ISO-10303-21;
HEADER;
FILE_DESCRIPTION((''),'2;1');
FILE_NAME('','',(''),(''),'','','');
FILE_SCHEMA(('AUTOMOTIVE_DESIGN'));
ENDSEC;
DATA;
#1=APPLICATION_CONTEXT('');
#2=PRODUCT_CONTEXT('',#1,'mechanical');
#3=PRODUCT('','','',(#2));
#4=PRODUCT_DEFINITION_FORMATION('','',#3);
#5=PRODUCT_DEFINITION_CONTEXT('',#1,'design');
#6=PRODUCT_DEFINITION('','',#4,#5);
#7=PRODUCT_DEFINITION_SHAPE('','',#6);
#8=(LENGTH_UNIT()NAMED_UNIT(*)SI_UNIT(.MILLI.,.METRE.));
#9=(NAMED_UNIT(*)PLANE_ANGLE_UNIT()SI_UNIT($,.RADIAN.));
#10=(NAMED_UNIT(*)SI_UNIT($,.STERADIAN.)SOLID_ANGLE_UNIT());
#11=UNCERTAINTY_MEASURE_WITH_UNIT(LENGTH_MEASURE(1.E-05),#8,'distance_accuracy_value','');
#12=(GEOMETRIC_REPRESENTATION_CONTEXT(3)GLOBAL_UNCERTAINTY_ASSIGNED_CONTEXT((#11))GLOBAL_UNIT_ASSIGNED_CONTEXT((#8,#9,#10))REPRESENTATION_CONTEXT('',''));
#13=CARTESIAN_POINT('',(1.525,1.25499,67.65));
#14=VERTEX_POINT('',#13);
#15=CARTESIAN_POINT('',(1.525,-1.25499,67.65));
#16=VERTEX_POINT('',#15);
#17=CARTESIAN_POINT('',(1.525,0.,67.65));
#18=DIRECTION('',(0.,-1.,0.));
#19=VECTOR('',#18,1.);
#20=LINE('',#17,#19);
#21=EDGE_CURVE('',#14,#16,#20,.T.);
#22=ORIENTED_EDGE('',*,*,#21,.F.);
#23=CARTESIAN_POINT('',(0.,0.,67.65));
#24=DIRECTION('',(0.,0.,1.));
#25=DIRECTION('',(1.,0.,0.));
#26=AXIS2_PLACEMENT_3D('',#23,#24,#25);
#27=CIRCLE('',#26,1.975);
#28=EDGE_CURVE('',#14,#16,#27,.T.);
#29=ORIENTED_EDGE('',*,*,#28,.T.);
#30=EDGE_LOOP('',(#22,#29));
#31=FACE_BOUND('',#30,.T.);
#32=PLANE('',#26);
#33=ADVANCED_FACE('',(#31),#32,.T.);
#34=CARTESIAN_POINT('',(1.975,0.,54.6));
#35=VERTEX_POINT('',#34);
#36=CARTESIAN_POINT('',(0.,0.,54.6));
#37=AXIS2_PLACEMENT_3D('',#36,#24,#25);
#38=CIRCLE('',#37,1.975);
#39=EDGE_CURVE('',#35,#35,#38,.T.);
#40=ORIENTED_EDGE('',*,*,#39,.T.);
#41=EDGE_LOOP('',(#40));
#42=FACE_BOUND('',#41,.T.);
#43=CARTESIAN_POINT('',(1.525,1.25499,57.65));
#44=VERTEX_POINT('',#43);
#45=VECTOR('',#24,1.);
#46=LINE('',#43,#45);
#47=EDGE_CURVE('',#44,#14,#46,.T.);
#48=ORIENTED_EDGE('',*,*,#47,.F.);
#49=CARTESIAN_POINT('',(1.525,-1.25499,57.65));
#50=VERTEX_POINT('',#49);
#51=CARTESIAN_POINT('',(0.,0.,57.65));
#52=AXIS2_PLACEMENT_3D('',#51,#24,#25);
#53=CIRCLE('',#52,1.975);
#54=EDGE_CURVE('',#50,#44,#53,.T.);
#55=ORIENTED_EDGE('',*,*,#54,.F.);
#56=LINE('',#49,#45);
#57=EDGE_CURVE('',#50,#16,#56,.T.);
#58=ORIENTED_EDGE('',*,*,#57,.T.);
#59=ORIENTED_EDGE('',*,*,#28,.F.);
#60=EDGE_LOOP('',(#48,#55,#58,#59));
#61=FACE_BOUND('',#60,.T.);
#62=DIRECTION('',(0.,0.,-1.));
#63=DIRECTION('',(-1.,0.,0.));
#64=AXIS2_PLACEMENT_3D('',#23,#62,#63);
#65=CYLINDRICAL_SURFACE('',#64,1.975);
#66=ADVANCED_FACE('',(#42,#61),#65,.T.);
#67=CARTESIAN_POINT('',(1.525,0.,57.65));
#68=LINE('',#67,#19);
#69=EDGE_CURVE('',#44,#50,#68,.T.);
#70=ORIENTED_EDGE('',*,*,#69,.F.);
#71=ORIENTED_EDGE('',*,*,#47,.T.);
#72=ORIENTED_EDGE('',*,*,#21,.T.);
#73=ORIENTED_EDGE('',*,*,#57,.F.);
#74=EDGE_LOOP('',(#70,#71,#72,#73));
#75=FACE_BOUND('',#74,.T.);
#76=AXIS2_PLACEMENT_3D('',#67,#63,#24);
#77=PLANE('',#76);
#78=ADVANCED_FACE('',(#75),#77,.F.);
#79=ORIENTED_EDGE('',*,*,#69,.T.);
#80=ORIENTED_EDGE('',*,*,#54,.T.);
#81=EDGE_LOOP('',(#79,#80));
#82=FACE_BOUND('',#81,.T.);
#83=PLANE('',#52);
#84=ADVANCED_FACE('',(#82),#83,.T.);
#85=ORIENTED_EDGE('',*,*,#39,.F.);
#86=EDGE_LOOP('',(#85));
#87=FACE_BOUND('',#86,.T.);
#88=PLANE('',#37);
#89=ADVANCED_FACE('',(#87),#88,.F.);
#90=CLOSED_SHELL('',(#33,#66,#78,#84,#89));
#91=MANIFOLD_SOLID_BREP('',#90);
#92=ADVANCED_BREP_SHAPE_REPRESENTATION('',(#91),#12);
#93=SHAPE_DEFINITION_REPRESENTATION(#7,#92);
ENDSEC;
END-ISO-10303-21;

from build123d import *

# Parameters (mm, degrees)
SKETCH17_R          = 1.975
BOSS_EXTRUDE7_DEPTH = 13.05
CUT_EXTRUDE2_DEPTH  = 10


with BuildPart() as part:
    # Sketch17 → Boss-Extrude7 (new body)
    with BuildSketch(Plane.XY.offset(54.6)):
        Circle(SKETCH17_R)
    extrude(amount=BOSS_EXTRUDE7_DEPTH)

    # Sketch19 → Cut-Extrude2 (cut)
    with BuildSketch(Plane.XY.offset(67.65)):
        Polygon((1.525, 0), (1.525, 1.25499004), (2.661624003, 0.419060713), (2.35393594, -0.855047839), (1.525, -1.25499004), align=None)
    extrude(amount=-CUT_EXTRUDE2_DEPTH, mode=Mode.SUBTRACT)


solid = part.part
